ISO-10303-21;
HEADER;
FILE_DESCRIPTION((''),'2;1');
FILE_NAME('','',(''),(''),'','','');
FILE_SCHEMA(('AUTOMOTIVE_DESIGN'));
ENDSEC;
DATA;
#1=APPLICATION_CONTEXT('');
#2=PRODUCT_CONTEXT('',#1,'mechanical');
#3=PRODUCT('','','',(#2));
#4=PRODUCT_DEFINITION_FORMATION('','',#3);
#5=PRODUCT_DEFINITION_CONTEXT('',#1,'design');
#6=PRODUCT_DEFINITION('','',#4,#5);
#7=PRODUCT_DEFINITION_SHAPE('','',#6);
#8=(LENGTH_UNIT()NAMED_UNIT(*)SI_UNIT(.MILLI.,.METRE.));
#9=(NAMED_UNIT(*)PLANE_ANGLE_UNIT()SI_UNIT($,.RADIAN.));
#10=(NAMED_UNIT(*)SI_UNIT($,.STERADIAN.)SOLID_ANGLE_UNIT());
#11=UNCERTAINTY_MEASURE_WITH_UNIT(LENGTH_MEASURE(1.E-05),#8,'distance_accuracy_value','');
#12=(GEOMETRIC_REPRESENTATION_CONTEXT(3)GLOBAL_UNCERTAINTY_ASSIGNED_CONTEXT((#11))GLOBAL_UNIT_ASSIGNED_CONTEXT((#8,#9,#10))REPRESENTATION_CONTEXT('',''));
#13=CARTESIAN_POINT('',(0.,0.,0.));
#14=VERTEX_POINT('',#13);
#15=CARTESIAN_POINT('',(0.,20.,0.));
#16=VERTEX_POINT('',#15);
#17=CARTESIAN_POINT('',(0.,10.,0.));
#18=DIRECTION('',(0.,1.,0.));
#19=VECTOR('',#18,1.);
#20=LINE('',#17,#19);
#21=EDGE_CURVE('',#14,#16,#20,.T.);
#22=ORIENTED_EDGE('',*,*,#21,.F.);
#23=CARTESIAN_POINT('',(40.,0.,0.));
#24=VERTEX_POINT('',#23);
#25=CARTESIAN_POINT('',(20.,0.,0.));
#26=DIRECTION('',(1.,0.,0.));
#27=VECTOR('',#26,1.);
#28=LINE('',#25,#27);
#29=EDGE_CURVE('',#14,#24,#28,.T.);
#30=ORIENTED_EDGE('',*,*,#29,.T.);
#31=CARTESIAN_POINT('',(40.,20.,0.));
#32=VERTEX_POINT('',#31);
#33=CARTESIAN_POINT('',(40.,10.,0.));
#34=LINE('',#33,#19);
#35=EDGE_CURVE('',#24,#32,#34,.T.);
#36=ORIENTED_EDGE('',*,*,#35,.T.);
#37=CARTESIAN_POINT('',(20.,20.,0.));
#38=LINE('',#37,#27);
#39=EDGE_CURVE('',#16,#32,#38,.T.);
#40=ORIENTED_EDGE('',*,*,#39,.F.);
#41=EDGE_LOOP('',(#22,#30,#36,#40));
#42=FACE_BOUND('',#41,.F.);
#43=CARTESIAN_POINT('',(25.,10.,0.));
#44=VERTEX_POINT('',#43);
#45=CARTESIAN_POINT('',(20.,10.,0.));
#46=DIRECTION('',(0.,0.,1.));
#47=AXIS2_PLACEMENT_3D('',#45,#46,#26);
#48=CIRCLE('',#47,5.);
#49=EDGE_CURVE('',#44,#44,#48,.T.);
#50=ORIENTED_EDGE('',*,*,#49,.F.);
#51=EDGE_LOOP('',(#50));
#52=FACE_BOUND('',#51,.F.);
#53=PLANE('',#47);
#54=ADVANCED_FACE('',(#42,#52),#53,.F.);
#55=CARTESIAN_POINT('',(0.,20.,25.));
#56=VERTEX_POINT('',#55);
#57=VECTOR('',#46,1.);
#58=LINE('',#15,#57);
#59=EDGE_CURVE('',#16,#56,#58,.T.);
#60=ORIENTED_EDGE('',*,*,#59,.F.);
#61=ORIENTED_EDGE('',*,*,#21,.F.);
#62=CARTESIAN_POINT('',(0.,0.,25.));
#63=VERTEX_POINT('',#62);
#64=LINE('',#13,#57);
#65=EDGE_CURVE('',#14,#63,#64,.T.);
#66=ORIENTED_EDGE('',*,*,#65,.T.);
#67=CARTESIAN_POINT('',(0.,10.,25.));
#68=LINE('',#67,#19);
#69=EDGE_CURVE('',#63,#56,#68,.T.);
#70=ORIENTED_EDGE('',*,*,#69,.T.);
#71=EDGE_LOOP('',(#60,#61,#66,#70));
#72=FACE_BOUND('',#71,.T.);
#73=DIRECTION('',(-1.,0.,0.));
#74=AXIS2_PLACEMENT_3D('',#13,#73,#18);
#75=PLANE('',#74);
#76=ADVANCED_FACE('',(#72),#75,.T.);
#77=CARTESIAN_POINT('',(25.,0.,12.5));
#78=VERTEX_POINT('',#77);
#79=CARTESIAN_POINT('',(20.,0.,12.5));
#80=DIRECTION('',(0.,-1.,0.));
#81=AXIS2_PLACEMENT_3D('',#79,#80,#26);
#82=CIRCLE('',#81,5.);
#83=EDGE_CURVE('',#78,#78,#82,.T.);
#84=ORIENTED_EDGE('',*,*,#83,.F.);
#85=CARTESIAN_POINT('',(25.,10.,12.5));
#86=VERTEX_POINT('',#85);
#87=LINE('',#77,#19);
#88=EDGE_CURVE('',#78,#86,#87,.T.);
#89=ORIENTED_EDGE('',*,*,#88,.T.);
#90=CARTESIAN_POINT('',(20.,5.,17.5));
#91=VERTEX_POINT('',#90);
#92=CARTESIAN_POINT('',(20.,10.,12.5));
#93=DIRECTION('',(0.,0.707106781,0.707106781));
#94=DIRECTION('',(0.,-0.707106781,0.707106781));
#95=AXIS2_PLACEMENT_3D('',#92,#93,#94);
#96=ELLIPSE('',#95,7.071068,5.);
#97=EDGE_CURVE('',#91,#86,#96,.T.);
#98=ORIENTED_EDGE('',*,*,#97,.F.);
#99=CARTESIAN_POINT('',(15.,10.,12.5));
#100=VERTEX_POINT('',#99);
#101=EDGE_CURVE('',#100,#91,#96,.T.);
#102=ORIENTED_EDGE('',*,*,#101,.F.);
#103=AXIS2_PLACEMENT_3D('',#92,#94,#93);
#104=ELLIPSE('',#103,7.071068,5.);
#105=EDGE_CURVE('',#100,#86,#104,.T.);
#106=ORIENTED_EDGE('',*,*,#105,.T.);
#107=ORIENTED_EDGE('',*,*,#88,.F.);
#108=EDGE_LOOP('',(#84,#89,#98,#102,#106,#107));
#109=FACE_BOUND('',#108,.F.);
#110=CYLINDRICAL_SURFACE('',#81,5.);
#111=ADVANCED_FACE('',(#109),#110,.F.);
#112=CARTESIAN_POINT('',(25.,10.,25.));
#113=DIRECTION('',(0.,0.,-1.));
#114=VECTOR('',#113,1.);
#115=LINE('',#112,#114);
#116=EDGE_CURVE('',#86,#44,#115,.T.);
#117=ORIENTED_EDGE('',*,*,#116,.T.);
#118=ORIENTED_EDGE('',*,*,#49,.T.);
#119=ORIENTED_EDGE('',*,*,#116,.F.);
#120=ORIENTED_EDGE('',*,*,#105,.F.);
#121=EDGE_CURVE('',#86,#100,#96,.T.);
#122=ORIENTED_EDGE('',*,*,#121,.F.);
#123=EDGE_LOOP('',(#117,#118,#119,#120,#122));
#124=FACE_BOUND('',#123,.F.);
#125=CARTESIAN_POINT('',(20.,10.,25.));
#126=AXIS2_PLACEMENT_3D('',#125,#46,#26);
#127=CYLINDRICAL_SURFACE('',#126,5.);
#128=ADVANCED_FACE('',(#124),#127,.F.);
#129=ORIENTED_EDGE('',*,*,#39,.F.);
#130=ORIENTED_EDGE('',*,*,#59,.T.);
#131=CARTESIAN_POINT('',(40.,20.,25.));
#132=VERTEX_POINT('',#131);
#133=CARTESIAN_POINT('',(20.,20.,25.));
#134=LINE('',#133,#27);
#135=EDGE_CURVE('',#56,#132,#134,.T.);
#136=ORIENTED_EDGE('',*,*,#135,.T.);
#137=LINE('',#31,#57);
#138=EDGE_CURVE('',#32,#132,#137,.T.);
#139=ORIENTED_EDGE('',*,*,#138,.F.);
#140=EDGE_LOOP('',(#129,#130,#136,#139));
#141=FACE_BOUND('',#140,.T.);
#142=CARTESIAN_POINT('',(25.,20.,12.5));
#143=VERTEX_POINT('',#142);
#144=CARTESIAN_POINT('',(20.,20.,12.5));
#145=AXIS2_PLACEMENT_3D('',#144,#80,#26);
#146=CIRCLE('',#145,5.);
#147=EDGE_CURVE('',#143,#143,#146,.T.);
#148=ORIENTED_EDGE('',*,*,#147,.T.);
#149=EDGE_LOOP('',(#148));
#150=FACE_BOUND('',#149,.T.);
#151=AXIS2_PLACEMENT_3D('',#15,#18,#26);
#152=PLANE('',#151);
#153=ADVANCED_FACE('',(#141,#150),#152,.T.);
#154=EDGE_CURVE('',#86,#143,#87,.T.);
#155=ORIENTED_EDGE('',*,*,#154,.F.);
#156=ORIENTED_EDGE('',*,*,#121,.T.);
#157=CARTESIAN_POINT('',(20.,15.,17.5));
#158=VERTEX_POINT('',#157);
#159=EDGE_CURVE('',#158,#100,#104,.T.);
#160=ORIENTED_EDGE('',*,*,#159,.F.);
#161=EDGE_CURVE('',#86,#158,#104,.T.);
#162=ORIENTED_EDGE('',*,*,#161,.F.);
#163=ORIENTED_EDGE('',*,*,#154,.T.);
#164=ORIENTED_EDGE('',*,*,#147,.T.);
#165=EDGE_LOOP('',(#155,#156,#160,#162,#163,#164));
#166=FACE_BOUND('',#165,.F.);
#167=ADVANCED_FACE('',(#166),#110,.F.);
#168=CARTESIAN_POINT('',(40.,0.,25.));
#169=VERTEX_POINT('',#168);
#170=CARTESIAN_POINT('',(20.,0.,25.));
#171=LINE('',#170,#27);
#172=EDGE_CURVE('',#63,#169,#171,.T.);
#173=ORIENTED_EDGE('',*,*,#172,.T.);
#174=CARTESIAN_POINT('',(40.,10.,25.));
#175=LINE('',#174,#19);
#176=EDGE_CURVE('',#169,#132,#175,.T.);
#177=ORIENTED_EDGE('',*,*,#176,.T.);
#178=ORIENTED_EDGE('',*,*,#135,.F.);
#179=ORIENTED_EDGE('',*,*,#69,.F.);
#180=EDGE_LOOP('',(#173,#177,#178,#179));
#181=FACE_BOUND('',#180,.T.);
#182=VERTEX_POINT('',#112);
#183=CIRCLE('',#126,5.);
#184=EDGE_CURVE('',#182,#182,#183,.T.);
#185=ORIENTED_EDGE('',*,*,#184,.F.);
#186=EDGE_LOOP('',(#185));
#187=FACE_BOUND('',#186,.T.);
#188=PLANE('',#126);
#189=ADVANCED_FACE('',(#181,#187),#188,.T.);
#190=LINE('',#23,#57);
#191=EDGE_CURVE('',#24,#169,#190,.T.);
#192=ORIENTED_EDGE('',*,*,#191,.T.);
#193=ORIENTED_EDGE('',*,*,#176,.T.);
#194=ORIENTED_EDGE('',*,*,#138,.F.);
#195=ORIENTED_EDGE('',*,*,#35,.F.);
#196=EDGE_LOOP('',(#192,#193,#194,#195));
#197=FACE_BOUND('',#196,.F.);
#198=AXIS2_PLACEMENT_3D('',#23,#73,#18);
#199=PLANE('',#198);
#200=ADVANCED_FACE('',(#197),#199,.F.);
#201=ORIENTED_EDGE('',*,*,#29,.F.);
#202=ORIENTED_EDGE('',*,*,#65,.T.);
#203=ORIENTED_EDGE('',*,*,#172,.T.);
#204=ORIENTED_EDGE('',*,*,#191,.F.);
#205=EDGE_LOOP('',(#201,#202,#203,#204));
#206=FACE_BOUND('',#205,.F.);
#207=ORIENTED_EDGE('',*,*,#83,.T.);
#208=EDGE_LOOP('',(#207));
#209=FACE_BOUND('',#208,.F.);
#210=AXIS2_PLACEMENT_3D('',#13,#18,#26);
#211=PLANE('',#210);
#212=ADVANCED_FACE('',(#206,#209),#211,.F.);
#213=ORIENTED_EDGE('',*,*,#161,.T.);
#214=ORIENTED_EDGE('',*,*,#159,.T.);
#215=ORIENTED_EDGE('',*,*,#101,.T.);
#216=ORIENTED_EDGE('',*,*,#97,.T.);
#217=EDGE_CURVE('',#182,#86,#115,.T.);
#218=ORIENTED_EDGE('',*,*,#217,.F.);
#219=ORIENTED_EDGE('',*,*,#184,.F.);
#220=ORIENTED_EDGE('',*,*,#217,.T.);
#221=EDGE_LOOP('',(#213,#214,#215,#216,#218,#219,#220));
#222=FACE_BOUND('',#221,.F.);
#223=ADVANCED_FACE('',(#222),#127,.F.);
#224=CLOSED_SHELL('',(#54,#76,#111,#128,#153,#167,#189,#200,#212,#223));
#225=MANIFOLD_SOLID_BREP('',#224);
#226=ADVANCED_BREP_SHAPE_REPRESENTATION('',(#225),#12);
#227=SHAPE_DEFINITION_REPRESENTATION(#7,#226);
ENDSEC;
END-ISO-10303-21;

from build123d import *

# Parameters (mm, degrees)
F0_W     = 40
F0_H     = 20
F1_DEPTH = 25
F2_R     = 5
F3_DEPTH = 25
F4_R     = 5
F5_DEPTH = 25


with BuildPart() as f1:
    # F0 (on Top) → F1 (new body)
    with BuildSketch(Plane.XY):
        with Locations((20, 10)):
            Rectangle(F0_W, F0_H)
    extrude(amount=F1_DEPTH)

    # F2 (on face) → F3 (cut)
    with BuildSketch(Plane.XY.offset(25)):
        with Locations((20, 10)):
            Circle(F2_R)
    extrude(amount=-F3_DEPTH, mode=Mode.SUBTRACT)

    # F4 (on face) → F5 (cut)
    with BuildSketch(Plane.XZ):
        with Locations((20, 12.5)):
            Circle(F4_R)
    extrude(amount=-F5_DEPTH, mode=Mode.SUBTRACT)


solid = f1.part
